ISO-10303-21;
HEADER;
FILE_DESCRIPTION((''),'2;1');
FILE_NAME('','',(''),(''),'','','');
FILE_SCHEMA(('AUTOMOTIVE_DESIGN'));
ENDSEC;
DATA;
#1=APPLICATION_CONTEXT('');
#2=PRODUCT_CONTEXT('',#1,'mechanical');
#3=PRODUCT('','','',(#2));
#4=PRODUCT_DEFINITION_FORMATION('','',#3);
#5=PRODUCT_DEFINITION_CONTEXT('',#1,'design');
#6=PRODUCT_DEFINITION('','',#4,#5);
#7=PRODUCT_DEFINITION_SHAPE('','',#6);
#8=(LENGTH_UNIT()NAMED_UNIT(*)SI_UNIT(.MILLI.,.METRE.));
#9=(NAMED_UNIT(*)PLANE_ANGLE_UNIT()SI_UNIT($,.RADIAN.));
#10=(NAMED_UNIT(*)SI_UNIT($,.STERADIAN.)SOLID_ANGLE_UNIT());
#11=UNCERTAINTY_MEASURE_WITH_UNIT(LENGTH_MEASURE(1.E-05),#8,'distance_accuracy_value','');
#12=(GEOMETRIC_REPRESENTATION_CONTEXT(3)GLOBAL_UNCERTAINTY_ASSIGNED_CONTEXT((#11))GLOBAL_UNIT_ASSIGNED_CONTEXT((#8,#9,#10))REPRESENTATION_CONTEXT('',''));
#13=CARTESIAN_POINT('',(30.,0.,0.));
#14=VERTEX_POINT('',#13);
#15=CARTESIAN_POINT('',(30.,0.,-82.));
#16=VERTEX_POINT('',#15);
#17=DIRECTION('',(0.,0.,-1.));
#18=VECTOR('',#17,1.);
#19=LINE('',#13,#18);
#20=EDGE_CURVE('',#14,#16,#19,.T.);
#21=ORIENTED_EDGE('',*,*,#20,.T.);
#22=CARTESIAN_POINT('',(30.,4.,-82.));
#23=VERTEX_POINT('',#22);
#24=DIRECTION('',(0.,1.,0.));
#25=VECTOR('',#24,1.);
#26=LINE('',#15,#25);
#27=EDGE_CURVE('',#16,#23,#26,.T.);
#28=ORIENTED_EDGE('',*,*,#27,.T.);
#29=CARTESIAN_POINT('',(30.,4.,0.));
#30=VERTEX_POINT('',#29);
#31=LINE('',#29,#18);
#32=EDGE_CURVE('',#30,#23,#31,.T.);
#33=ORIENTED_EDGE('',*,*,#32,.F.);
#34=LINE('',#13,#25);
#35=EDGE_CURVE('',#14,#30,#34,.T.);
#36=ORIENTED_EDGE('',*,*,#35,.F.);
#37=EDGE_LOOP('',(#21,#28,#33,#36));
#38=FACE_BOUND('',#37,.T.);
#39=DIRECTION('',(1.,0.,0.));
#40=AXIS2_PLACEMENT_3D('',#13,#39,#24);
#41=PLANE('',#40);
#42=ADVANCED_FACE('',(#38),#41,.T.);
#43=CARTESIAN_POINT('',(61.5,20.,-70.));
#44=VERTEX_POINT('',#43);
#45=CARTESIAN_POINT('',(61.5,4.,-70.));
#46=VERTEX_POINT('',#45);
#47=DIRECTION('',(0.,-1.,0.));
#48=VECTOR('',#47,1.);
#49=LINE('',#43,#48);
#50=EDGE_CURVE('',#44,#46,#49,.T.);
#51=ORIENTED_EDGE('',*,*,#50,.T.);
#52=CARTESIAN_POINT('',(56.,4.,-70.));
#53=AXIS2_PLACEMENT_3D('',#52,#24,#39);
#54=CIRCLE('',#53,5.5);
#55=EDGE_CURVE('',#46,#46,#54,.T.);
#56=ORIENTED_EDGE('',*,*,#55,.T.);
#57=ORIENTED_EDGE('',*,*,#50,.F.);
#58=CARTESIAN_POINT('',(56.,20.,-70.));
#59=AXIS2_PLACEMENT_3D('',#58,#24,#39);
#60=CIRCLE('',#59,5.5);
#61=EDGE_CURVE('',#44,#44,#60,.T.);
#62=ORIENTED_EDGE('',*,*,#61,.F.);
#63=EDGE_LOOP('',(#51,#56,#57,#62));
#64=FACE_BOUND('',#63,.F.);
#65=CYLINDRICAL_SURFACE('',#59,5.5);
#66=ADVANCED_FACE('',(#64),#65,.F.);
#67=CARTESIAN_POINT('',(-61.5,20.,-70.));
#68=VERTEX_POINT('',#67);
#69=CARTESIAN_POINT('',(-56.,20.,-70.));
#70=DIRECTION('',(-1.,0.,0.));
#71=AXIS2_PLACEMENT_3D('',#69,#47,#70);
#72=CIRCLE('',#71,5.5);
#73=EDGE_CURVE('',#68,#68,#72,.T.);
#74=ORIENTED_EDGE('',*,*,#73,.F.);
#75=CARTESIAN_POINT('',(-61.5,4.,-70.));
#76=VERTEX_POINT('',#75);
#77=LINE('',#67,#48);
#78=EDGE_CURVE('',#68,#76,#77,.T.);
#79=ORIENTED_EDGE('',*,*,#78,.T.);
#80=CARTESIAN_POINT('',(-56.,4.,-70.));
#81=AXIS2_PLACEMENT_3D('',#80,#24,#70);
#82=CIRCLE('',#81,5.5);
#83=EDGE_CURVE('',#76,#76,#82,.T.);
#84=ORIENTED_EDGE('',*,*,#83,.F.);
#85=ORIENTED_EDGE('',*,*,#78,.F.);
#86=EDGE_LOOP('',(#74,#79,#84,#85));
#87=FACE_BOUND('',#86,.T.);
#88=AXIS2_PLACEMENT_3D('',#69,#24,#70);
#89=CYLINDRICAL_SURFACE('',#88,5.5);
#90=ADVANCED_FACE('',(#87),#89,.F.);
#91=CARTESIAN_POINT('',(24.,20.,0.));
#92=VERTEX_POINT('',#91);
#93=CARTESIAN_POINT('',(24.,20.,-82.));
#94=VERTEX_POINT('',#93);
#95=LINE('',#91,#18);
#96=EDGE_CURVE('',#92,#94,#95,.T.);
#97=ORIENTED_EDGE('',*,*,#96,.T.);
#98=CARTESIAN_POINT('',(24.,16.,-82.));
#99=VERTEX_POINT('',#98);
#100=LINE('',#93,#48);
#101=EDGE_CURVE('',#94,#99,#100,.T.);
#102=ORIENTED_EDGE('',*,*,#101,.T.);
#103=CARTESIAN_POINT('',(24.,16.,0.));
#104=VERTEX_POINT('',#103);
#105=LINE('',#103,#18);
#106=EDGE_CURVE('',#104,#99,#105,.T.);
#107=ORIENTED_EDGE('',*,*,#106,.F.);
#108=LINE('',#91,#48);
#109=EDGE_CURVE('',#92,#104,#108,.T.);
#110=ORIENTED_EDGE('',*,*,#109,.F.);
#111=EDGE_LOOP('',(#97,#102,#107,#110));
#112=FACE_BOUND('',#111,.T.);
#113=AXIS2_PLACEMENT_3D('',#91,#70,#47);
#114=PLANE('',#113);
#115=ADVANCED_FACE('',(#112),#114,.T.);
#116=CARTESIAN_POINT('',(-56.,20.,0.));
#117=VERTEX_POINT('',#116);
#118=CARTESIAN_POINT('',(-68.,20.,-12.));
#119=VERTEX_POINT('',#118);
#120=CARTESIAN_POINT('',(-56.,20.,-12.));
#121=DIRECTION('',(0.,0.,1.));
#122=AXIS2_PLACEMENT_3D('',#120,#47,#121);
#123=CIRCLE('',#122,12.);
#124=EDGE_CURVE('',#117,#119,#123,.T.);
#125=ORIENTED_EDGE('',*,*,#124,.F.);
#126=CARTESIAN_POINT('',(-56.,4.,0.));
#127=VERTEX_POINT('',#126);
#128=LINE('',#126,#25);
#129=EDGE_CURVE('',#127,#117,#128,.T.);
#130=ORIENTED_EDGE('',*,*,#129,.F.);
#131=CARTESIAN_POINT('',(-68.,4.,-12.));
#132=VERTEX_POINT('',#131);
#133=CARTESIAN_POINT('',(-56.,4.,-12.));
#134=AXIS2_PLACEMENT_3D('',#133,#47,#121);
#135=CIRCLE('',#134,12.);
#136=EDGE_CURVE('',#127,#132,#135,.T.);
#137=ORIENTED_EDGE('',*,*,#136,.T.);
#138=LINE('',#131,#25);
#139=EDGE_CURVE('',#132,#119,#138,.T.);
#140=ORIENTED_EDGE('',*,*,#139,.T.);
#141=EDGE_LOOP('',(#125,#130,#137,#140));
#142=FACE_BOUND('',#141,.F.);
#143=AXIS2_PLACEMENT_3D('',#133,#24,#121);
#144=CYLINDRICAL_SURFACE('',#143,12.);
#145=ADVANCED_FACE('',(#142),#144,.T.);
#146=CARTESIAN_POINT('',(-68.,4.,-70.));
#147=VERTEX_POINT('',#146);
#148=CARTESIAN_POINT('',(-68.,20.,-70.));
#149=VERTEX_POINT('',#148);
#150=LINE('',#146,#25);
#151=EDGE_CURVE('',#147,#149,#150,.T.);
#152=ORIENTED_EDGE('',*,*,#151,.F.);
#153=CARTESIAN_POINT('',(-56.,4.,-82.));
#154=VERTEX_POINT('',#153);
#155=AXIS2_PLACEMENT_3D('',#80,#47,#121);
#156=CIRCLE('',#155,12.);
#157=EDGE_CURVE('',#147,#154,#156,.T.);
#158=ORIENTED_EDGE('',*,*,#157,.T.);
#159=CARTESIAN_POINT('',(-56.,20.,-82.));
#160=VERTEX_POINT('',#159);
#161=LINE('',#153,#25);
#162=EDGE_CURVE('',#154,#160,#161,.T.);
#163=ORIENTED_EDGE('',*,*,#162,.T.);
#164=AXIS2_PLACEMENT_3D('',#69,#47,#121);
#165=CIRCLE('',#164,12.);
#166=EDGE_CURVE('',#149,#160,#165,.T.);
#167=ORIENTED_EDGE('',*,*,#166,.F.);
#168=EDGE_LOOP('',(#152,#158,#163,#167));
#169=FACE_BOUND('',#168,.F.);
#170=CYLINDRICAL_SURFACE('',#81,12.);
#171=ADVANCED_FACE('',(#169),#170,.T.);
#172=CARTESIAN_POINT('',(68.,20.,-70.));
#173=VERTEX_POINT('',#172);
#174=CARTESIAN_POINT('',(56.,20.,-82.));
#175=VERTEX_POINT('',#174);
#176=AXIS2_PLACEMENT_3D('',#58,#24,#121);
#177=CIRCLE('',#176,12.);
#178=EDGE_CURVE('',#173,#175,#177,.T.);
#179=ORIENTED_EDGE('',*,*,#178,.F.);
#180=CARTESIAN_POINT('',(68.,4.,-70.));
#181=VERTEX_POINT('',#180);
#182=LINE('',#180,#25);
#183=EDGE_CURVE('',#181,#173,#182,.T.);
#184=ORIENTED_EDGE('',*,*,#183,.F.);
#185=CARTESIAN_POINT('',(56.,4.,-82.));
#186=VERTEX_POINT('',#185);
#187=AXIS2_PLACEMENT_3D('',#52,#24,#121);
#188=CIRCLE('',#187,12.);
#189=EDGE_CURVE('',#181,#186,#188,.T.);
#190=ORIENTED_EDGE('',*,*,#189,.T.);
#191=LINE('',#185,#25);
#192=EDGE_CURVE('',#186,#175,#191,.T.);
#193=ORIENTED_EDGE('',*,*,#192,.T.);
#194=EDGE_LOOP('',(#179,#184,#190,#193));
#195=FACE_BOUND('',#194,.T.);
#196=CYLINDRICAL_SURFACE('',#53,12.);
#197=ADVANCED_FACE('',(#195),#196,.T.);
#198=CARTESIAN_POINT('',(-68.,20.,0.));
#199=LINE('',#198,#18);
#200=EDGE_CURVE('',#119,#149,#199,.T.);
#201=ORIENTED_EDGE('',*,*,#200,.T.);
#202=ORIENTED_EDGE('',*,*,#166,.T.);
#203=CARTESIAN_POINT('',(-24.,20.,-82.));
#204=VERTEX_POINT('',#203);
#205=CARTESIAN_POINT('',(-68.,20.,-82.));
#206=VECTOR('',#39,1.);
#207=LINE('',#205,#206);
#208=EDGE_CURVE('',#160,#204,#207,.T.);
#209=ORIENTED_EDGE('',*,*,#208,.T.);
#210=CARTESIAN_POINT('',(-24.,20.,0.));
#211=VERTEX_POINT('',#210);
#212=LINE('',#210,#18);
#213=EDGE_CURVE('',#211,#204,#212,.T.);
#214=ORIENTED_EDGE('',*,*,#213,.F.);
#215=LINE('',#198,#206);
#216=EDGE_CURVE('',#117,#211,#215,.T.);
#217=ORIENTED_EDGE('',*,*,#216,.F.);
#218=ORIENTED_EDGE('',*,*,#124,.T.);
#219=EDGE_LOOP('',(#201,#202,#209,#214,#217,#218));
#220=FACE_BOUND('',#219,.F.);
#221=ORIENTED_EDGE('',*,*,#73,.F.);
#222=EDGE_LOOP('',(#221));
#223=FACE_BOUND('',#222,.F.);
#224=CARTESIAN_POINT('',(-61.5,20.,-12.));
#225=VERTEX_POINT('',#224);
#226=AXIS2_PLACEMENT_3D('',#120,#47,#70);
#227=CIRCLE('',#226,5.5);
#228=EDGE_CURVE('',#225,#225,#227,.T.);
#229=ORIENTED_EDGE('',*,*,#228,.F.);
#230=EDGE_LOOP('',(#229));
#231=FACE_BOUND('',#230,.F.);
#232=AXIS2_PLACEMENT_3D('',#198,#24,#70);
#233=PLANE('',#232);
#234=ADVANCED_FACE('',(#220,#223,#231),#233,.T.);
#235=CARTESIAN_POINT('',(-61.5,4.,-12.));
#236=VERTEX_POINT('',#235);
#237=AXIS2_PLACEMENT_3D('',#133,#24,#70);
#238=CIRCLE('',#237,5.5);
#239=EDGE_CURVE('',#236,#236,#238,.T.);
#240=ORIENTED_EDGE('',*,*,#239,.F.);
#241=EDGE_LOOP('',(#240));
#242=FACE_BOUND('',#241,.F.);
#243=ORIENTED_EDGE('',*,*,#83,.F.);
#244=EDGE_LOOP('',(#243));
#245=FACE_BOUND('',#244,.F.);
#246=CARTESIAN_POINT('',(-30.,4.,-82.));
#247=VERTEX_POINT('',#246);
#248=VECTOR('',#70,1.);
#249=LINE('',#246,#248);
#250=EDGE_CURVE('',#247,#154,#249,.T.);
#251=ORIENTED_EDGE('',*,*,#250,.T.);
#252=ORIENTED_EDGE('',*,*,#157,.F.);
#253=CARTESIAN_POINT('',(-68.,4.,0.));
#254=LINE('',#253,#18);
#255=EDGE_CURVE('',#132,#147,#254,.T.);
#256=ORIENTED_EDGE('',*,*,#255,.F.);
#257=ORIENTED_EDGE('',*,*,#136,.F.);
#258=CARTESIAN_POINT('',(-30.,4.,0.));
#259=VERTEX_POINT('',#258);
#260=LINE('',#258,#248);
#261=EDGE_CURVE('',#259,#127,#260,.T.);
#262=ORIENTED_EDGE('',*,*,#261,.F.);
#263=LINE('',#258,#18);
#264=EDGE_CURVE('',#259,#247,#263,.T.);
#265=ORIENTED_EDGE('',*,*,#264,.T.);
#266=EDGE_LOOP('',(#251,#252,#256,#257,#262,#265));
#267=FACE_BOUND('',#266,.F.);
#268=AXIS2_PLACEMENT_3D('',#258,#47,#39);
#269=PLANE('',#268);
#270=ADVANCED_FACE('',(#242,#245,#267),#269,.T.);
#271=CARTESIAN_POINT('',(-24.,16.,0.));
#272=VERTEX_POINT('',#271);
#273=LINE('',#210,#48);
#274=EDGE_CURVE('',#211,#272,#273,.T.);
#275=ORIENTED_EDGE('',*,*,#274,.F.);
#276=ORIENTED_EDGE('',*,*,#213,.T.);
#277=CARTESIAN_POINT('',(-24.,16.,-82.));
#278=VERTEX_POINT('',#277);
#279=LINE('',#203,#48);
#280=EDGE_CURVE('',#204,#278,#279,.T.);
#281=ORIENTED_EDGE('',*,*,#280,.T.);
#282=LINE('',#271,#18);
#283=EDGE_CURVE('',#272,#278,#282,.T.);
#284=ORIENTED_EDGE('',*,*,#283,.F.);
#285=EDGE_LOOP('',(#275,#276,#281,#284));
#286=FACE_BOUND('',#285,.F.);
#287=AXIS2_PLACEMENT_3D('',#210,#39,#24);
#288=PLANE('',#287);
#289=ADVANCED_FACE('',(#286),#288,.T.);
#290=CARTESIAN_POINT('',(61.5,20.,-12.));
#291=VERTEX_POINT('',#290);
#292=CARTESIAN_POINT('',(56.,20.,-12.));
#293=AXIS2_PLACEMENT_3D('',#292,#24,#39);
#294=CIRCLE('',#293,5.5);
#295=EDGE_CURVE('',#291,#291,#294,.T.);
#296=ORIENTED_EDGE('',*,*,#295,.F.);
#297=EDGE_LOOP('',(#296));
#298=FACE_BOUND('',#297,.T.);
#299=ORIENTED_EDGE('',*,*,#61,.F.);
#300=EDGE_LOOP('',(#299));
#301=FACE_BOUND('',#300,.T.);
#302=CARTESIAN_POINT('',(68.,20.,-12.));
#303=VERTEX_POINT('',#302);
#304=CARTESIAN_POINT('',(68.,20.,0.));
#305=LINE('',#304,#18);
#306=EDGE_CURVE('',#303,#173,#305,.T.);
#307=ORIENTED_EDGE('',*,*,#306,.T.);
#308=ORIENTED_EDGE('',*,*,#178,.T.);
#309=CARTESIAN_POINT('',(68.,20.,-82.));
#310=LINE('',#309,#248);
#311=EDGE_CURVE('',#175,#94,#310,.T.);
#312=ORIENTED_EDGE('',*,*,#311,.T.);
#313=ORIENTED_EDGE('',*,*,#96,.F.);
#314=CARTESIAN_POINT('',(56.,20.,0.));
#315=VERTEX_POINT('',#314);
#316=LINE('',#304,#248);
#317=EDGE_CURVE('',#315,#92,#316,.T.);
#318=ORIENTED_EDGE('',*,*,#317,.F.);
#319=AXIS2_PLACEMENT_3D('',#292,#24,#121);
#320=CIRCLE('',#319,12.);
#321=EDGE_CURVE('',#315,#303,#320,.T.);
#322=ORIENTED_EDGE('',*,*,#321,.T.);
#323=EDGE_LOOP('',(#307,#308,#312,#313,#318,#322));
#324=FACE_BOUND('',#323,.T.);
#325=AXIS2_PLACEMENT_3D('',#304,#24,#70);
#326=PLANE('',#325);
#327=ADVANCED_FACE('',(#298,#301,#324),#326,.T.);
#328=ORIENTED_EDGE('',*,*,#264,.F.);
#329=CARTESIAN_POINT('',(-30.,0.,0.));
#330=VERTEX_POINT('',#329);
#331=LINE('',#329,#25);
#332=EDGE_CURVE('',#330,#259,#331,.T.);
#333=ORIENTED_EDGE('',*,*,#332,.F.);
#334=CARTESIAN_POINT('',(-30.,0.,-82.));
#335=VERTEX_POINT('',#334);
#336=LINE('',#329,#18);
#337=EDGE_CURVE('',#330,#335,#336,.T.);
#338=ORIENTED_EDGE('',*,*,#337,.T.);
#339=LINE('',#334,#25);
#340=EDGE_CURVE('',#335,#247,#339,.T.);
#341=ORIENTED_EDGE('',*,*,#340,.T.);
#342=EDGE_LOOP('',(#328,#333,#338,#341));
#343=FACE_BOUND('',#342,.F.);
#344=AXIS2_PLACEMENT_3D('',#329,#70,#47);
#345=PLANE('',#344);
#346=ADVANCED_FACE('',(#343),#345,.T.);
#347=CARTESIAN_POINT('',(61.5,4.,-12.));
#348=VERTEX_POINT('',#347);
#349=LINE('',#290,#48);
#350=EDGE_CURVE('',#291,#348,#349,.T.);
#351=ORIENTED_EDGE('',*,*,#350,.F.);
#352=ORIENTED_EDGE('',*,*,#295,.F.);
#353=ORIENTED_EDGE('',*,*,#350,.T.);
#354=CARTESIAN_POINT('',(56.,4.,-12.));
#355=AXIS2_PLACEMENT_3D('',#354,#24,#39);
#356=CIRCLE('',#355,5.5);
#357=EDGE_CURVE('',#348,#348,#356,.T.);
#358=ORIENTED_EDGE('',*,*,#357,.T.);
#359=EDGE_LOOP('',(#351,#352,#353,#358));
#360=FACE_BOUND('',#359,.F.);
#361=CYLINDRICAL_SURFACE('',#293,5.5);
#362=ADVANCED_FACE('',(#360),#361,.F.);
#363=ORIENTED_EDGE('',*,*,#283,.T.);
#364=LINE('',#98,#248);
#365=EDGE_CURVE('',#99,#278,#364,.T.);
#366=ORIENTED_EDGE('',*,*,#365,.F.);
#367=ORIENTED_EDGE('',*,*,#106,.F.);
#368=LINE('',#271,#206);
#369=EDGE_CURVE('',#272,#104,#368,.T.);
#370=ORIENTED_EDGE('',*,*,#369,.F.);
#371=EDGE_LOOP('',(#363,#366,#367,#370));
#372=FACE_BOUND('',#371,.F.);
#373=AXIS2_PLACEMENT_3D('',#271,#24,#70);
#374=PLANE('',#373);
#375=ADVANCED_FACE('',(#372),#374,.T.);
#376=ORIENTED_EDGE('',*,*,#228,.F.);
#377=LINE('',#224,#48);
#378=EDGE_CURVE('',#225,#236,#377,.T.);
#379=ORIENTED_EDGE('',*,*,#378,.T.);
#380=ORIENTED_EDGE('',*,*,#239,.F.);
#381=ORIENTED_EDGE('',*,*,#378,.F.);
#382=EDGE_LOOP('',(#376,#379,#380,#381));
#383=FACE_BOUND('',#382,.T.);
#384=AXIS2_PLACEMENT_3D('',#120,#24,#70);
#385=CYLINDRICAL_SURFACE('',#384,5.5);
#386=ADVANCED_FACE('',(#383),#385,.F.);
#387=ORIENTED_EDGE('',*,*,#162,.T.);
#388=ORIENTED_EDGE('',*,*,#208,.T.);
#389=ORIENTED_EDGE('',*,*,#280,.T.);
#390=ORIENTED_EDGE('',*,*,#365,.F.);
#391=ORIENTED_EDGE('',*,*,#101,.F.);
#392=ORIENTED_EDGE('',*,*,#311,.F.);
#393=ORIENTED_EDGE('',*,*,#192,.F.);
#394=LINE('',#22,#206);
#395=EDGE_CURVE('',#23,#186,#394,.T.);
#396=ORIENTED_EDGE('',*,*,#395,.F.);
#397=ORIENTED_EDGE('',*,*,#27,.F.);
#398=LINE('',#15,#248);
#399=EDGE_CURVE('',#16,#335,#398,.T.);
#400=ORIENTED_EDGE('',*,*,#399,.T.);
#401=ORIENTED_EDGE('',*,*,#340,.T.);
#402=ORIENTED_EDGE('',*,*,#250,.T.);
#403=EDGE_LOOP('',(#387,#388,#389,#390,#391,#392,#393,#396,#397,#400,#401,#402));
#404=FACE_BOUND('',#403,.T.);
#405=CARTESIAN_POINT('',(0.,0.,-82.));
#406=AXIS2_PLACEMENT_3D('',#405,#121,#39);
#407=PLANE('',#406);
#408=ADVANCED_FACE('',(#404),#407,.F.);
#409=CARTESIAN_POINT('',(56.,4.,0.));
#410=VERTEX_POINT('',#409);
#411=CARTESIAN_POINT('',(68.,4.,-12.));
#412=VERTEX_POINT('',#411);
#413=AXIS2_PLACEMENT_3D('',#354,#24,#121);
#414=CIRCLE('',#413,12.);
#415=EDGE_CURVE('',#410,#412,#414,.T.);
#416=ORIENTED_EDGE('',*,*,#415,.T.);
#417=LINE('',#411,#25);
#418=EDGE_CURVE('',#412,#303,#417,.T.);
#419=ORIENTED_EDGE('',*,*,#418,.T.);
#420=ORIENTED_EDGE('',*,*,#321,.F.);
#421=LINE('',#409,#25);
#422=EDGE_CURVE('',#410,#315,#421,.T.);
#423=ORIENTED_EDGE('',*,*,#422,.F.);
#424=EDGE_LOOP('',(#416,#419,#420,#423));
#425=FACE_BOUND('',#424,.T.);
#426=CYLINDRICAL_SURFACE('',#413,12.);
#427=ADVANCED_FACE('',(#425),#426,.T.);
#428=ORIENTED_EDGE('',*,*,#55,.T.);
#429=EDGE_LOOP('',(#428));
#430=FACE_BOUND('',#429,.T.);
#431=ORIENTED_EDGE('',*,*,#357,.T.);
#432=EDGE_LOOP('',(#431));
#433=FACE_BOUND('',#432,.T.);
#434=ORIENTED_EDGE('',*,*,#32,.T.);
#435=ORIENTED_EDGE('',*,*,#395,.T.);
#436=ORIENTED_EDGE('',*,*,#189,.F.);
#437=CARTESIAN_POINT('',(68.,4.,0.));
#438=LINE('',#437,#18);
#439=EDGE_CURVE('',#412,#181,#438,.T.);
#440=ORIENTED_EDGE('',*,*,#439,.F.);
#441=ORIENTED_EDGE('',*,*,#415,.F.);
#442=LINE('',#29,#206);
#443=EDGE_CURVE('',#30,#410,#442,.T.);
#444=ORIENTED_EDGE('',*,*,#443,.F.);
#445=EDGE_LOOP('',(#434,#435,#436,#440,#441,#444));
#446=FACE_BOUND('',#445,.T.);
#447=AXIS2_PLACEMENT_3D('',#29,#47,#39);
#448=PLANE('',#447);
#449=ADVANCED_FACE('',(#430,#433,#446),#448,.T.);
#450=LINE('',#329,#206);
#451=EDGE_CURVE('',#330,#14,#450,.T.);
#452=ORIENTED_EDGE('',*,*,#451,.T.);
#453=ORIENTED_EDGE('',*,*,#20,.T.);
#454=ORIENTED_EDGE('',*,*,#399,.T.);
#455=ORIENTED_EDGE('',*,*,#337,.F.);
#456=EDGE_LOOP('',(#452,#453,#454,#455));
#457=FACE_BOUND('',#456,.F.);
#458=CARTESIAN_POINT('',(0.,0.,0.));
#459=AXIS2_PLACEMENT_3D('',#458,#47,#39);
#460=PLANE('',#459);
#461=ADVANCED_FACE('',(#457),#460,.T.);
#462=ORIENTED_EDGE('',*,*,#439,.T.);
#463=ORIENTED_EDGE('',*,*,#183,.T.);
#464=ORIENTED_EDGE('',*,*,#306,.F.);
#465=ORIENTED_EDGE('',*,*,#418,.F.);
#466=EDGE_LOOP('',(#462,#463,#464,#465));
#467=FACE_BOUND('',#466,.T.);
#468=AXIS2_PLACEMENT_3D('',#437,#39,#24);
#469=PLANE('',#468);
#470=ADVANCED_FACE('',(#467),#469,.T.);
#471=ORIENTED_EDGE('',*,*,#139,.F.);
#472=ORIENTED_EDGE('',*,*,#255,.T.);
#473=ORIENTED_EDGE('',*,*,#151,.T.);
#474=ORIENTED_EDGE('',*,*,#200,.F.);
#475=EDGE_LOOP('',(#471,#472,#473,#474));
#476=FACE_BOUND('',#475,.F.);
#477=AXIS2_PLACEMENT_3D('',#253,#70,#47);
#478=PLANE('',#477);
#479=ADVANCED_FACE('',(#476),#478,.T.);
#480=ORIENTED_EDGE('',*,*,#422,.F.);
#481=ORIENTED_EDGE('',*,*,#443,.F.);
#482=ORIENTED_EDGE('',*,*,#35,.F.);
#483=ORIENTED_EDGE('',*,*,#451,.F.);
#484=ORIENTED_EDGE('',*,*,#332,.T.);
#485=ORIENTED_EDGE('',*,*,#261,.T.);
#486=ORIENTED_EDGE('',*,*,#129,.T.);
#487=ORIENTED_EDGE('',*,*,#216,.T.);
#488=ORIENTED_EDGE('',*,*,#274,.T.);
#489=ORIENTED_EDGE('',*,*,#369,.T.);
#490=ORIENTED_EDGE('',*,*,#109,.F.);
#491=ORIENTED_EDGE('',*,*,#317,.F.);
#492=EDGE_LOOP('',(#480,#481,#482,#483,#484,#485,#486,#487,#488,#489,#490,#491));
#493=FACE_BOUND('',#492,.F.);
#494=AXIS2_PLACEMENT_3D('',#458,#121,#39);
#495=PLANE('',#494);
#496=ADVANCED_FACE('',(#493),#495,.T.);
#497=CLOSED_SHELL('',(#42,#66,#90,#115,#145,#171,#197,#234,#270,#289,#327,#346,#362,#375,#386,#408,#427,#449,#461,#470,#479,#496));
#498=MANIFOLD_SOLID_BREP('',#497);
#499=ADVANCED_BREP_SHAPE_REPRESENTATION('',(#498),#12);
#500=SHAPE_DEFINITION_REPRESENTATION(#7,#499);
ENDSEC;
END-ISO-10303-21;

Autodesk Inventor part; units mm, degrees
ref_plane "YZ Plane" through (0, 0, 0) normal (1, 0, 0) x (0, 1, 0)
ref_plane "XZ Plane" through (0, 0, 0) normal (0, 1, 0) x (-1, 0, 0)
ref_plane "XY Plane" through (0, 0, 0) normal (0, 0, 1) x (1, 0, 0)
sketch "Sketch1" plane through (0, 0, 0) normal (0, 0, 1) x (1, 0, 0)
  line L0 (0, 0) -> (30, 0)
  line L1 (30, 0) -> (30, 4)
  line L2 (30, 4) -> (68, 4)
  line L3 (68, 4) -> (68, 20)
  line L4 (68, 20) -> (24, 20)
  line L5 (24, 20) -> (24, 16)
  line L6 (24, 16) -> (0, 16)
  line L7 (0, 16) -> (0, 0)
  dimension "d0" = 30
  dimension "d1" = 4
  dimension "d2" = 38
  dimension "d3" = 16
  dimension "d4" = 44
  dimension "d5" = 4
extrude "Extrusion1" add sketch "Sketch1" against normal blind 82
sketch "Sketch2" plane through (24, 20, 0) normal (0, 1, 0) x (1, 0, 0)
  circle A0 centre (32, 12) radius 5.5
  circle A1 centre (32, 70) radius 5.5
  line L0 (44, 0) -> (44, 82) projected
  line L1 (44, 0) -> (0, 0) projected
  line L2 (0, 82) -> (44, 82) projected
  point P0 (-24, 0)
  dimension "d8" = 11
  dimension "d9" = 11
  dimension "d10" = 12
  dimension "d11" = 12
  dimension "d12" = 12
  dimension "d13" = 12
extrude "Extrusion2" cut sketch "Sketch2" against normal blind 82 contours A0
extrude "Extrusion3" cut sketch "Sketch2" against normal blind 82 contours A1
fillet "Fillet1" radius 12 1 edges at (68, 12, 0)
fillet "Fillet2" radius 12 1 edges at (68, 12, -82)
mirror "Mirror1" about plane through (0, 0, 0) normal (1, 0, 0) of "Extrusion1", "Fillet1", "Extrusion2", "Extrusion3", "Fillet2"
properties part number "topPlate" material "Steel, Carbon"
